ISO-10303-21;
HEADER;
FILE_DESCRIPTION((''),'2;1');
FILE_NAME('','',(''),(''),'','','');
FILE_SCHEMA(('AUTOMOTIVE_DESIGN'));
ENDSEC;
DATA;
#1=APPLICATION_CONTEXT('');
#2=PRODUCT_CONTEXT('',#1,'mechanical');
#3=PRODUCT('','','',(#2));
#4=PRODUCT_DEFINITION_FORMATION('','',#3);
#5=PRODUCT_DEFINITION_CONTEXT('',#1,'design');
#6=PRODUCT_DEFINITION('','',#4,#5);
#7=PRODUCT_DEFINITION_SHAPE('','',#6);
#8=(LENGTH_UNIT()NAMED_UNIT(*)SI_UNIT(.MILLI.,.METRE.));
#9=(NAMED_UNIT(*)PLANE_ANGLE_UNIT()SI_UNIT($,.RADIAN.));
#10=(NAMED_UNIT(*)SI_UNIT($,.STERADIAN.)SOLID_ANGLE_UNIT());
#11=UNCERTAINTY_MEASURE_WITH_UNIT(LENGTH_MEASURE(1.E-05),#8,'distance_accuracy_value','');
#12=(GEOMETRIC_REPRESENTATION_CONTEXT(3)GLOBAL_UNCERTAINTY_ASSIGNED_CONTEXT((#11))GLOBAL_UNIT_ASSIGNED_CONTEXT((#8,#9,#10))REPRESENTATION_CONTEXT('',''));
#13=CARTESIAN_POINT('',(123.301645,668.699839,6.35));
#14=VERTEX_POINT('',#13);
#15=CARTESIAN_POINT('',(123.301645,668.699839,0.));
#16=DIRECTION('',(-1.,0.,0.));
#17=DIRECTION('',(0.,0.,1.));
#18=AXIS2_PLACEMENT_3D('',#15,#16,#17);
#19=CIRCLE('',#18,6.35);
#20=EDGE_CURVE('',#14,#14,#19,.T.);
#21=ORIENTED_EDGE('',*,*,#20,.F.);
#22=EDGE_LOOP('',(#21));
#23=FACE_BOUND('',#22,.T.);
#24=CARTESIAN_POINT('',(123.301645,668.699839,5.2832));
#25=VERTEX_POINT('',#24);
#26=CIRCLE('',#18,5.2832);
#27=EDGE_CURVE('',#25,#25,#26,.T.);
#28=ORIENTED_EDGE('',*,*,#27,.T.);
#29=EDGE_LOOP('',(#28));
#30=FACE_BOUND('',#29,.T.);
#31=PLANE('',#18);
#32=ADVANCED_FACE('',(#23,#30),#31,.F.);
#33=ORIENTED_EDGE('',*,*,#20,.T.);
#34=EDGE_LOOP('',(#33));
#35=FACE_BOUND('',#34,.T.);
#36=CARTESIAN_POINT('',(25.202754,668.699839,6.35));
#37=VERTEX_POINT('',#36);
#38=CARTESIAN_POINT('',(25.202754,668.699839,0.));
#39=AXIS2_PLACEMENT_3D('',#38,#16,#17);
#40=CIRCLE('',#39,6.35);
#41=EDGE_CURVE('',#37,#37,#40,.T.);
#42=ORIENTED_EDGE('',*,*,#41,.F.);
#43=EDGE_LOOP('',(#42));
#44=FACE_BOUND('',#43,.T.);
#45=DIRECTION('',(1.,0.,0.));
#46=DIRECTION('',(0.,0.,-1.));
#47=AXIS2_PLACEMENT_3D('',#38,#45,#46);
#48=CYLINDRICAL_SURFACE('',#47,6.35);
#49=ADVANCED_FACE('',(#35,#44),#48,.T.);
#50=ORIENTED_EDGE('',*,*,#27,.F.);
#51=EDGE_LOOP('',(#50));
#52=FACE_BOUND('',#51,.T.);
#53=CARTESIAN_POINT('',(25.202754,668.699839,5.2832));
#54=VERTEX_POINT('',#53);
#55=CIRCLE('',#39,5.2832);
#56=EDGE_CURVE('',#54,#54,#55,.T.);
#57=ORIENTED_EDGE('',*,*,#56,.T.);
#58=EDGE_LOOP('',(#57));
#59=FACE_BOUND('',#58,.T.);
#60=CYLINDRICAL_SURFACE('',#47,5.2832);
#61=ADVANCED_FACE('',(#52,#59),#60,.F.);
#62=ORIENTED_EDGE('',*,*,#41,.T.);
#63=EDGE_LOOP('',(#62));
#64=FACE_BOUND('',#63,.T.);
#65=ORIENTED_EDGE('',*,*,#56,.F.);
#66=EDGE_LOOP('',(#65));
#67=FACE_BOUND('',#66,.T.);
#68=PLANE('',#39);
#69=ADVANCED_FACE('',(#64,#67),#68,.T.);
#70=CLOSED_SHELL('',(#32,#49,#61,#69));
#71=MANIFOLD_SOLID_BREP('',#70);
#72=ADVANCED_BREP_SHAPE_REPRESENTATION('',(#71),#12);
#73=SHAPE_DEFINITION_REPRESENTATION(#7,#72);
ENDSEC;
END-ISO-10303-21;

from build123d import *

# Parameters (mm, degrees)
SKETCH11_R              = 6.35
SKETCH11_R_2            = 5.2832
PIPE_0_5_SCH_40_1_DEPTH = 98.098891053


with BuildPart() as part:
    # Sketch11 → Pipe 0.5 SCH 40(1) (new body)
    with BuildSketch(Plane(origin=(123.30164532, 668.699839019, 0), x_dir=(0, -1, 0), z_dir=(-1, 0, 0))):
        Circle(SKETCH11_R)
        Circle(SKETCH11_R_2, mode=Mode.SUBTRACT)
    extrude(amount=PIPE_0_5_SCH_40_1_DEPTH)


solid = part.part
